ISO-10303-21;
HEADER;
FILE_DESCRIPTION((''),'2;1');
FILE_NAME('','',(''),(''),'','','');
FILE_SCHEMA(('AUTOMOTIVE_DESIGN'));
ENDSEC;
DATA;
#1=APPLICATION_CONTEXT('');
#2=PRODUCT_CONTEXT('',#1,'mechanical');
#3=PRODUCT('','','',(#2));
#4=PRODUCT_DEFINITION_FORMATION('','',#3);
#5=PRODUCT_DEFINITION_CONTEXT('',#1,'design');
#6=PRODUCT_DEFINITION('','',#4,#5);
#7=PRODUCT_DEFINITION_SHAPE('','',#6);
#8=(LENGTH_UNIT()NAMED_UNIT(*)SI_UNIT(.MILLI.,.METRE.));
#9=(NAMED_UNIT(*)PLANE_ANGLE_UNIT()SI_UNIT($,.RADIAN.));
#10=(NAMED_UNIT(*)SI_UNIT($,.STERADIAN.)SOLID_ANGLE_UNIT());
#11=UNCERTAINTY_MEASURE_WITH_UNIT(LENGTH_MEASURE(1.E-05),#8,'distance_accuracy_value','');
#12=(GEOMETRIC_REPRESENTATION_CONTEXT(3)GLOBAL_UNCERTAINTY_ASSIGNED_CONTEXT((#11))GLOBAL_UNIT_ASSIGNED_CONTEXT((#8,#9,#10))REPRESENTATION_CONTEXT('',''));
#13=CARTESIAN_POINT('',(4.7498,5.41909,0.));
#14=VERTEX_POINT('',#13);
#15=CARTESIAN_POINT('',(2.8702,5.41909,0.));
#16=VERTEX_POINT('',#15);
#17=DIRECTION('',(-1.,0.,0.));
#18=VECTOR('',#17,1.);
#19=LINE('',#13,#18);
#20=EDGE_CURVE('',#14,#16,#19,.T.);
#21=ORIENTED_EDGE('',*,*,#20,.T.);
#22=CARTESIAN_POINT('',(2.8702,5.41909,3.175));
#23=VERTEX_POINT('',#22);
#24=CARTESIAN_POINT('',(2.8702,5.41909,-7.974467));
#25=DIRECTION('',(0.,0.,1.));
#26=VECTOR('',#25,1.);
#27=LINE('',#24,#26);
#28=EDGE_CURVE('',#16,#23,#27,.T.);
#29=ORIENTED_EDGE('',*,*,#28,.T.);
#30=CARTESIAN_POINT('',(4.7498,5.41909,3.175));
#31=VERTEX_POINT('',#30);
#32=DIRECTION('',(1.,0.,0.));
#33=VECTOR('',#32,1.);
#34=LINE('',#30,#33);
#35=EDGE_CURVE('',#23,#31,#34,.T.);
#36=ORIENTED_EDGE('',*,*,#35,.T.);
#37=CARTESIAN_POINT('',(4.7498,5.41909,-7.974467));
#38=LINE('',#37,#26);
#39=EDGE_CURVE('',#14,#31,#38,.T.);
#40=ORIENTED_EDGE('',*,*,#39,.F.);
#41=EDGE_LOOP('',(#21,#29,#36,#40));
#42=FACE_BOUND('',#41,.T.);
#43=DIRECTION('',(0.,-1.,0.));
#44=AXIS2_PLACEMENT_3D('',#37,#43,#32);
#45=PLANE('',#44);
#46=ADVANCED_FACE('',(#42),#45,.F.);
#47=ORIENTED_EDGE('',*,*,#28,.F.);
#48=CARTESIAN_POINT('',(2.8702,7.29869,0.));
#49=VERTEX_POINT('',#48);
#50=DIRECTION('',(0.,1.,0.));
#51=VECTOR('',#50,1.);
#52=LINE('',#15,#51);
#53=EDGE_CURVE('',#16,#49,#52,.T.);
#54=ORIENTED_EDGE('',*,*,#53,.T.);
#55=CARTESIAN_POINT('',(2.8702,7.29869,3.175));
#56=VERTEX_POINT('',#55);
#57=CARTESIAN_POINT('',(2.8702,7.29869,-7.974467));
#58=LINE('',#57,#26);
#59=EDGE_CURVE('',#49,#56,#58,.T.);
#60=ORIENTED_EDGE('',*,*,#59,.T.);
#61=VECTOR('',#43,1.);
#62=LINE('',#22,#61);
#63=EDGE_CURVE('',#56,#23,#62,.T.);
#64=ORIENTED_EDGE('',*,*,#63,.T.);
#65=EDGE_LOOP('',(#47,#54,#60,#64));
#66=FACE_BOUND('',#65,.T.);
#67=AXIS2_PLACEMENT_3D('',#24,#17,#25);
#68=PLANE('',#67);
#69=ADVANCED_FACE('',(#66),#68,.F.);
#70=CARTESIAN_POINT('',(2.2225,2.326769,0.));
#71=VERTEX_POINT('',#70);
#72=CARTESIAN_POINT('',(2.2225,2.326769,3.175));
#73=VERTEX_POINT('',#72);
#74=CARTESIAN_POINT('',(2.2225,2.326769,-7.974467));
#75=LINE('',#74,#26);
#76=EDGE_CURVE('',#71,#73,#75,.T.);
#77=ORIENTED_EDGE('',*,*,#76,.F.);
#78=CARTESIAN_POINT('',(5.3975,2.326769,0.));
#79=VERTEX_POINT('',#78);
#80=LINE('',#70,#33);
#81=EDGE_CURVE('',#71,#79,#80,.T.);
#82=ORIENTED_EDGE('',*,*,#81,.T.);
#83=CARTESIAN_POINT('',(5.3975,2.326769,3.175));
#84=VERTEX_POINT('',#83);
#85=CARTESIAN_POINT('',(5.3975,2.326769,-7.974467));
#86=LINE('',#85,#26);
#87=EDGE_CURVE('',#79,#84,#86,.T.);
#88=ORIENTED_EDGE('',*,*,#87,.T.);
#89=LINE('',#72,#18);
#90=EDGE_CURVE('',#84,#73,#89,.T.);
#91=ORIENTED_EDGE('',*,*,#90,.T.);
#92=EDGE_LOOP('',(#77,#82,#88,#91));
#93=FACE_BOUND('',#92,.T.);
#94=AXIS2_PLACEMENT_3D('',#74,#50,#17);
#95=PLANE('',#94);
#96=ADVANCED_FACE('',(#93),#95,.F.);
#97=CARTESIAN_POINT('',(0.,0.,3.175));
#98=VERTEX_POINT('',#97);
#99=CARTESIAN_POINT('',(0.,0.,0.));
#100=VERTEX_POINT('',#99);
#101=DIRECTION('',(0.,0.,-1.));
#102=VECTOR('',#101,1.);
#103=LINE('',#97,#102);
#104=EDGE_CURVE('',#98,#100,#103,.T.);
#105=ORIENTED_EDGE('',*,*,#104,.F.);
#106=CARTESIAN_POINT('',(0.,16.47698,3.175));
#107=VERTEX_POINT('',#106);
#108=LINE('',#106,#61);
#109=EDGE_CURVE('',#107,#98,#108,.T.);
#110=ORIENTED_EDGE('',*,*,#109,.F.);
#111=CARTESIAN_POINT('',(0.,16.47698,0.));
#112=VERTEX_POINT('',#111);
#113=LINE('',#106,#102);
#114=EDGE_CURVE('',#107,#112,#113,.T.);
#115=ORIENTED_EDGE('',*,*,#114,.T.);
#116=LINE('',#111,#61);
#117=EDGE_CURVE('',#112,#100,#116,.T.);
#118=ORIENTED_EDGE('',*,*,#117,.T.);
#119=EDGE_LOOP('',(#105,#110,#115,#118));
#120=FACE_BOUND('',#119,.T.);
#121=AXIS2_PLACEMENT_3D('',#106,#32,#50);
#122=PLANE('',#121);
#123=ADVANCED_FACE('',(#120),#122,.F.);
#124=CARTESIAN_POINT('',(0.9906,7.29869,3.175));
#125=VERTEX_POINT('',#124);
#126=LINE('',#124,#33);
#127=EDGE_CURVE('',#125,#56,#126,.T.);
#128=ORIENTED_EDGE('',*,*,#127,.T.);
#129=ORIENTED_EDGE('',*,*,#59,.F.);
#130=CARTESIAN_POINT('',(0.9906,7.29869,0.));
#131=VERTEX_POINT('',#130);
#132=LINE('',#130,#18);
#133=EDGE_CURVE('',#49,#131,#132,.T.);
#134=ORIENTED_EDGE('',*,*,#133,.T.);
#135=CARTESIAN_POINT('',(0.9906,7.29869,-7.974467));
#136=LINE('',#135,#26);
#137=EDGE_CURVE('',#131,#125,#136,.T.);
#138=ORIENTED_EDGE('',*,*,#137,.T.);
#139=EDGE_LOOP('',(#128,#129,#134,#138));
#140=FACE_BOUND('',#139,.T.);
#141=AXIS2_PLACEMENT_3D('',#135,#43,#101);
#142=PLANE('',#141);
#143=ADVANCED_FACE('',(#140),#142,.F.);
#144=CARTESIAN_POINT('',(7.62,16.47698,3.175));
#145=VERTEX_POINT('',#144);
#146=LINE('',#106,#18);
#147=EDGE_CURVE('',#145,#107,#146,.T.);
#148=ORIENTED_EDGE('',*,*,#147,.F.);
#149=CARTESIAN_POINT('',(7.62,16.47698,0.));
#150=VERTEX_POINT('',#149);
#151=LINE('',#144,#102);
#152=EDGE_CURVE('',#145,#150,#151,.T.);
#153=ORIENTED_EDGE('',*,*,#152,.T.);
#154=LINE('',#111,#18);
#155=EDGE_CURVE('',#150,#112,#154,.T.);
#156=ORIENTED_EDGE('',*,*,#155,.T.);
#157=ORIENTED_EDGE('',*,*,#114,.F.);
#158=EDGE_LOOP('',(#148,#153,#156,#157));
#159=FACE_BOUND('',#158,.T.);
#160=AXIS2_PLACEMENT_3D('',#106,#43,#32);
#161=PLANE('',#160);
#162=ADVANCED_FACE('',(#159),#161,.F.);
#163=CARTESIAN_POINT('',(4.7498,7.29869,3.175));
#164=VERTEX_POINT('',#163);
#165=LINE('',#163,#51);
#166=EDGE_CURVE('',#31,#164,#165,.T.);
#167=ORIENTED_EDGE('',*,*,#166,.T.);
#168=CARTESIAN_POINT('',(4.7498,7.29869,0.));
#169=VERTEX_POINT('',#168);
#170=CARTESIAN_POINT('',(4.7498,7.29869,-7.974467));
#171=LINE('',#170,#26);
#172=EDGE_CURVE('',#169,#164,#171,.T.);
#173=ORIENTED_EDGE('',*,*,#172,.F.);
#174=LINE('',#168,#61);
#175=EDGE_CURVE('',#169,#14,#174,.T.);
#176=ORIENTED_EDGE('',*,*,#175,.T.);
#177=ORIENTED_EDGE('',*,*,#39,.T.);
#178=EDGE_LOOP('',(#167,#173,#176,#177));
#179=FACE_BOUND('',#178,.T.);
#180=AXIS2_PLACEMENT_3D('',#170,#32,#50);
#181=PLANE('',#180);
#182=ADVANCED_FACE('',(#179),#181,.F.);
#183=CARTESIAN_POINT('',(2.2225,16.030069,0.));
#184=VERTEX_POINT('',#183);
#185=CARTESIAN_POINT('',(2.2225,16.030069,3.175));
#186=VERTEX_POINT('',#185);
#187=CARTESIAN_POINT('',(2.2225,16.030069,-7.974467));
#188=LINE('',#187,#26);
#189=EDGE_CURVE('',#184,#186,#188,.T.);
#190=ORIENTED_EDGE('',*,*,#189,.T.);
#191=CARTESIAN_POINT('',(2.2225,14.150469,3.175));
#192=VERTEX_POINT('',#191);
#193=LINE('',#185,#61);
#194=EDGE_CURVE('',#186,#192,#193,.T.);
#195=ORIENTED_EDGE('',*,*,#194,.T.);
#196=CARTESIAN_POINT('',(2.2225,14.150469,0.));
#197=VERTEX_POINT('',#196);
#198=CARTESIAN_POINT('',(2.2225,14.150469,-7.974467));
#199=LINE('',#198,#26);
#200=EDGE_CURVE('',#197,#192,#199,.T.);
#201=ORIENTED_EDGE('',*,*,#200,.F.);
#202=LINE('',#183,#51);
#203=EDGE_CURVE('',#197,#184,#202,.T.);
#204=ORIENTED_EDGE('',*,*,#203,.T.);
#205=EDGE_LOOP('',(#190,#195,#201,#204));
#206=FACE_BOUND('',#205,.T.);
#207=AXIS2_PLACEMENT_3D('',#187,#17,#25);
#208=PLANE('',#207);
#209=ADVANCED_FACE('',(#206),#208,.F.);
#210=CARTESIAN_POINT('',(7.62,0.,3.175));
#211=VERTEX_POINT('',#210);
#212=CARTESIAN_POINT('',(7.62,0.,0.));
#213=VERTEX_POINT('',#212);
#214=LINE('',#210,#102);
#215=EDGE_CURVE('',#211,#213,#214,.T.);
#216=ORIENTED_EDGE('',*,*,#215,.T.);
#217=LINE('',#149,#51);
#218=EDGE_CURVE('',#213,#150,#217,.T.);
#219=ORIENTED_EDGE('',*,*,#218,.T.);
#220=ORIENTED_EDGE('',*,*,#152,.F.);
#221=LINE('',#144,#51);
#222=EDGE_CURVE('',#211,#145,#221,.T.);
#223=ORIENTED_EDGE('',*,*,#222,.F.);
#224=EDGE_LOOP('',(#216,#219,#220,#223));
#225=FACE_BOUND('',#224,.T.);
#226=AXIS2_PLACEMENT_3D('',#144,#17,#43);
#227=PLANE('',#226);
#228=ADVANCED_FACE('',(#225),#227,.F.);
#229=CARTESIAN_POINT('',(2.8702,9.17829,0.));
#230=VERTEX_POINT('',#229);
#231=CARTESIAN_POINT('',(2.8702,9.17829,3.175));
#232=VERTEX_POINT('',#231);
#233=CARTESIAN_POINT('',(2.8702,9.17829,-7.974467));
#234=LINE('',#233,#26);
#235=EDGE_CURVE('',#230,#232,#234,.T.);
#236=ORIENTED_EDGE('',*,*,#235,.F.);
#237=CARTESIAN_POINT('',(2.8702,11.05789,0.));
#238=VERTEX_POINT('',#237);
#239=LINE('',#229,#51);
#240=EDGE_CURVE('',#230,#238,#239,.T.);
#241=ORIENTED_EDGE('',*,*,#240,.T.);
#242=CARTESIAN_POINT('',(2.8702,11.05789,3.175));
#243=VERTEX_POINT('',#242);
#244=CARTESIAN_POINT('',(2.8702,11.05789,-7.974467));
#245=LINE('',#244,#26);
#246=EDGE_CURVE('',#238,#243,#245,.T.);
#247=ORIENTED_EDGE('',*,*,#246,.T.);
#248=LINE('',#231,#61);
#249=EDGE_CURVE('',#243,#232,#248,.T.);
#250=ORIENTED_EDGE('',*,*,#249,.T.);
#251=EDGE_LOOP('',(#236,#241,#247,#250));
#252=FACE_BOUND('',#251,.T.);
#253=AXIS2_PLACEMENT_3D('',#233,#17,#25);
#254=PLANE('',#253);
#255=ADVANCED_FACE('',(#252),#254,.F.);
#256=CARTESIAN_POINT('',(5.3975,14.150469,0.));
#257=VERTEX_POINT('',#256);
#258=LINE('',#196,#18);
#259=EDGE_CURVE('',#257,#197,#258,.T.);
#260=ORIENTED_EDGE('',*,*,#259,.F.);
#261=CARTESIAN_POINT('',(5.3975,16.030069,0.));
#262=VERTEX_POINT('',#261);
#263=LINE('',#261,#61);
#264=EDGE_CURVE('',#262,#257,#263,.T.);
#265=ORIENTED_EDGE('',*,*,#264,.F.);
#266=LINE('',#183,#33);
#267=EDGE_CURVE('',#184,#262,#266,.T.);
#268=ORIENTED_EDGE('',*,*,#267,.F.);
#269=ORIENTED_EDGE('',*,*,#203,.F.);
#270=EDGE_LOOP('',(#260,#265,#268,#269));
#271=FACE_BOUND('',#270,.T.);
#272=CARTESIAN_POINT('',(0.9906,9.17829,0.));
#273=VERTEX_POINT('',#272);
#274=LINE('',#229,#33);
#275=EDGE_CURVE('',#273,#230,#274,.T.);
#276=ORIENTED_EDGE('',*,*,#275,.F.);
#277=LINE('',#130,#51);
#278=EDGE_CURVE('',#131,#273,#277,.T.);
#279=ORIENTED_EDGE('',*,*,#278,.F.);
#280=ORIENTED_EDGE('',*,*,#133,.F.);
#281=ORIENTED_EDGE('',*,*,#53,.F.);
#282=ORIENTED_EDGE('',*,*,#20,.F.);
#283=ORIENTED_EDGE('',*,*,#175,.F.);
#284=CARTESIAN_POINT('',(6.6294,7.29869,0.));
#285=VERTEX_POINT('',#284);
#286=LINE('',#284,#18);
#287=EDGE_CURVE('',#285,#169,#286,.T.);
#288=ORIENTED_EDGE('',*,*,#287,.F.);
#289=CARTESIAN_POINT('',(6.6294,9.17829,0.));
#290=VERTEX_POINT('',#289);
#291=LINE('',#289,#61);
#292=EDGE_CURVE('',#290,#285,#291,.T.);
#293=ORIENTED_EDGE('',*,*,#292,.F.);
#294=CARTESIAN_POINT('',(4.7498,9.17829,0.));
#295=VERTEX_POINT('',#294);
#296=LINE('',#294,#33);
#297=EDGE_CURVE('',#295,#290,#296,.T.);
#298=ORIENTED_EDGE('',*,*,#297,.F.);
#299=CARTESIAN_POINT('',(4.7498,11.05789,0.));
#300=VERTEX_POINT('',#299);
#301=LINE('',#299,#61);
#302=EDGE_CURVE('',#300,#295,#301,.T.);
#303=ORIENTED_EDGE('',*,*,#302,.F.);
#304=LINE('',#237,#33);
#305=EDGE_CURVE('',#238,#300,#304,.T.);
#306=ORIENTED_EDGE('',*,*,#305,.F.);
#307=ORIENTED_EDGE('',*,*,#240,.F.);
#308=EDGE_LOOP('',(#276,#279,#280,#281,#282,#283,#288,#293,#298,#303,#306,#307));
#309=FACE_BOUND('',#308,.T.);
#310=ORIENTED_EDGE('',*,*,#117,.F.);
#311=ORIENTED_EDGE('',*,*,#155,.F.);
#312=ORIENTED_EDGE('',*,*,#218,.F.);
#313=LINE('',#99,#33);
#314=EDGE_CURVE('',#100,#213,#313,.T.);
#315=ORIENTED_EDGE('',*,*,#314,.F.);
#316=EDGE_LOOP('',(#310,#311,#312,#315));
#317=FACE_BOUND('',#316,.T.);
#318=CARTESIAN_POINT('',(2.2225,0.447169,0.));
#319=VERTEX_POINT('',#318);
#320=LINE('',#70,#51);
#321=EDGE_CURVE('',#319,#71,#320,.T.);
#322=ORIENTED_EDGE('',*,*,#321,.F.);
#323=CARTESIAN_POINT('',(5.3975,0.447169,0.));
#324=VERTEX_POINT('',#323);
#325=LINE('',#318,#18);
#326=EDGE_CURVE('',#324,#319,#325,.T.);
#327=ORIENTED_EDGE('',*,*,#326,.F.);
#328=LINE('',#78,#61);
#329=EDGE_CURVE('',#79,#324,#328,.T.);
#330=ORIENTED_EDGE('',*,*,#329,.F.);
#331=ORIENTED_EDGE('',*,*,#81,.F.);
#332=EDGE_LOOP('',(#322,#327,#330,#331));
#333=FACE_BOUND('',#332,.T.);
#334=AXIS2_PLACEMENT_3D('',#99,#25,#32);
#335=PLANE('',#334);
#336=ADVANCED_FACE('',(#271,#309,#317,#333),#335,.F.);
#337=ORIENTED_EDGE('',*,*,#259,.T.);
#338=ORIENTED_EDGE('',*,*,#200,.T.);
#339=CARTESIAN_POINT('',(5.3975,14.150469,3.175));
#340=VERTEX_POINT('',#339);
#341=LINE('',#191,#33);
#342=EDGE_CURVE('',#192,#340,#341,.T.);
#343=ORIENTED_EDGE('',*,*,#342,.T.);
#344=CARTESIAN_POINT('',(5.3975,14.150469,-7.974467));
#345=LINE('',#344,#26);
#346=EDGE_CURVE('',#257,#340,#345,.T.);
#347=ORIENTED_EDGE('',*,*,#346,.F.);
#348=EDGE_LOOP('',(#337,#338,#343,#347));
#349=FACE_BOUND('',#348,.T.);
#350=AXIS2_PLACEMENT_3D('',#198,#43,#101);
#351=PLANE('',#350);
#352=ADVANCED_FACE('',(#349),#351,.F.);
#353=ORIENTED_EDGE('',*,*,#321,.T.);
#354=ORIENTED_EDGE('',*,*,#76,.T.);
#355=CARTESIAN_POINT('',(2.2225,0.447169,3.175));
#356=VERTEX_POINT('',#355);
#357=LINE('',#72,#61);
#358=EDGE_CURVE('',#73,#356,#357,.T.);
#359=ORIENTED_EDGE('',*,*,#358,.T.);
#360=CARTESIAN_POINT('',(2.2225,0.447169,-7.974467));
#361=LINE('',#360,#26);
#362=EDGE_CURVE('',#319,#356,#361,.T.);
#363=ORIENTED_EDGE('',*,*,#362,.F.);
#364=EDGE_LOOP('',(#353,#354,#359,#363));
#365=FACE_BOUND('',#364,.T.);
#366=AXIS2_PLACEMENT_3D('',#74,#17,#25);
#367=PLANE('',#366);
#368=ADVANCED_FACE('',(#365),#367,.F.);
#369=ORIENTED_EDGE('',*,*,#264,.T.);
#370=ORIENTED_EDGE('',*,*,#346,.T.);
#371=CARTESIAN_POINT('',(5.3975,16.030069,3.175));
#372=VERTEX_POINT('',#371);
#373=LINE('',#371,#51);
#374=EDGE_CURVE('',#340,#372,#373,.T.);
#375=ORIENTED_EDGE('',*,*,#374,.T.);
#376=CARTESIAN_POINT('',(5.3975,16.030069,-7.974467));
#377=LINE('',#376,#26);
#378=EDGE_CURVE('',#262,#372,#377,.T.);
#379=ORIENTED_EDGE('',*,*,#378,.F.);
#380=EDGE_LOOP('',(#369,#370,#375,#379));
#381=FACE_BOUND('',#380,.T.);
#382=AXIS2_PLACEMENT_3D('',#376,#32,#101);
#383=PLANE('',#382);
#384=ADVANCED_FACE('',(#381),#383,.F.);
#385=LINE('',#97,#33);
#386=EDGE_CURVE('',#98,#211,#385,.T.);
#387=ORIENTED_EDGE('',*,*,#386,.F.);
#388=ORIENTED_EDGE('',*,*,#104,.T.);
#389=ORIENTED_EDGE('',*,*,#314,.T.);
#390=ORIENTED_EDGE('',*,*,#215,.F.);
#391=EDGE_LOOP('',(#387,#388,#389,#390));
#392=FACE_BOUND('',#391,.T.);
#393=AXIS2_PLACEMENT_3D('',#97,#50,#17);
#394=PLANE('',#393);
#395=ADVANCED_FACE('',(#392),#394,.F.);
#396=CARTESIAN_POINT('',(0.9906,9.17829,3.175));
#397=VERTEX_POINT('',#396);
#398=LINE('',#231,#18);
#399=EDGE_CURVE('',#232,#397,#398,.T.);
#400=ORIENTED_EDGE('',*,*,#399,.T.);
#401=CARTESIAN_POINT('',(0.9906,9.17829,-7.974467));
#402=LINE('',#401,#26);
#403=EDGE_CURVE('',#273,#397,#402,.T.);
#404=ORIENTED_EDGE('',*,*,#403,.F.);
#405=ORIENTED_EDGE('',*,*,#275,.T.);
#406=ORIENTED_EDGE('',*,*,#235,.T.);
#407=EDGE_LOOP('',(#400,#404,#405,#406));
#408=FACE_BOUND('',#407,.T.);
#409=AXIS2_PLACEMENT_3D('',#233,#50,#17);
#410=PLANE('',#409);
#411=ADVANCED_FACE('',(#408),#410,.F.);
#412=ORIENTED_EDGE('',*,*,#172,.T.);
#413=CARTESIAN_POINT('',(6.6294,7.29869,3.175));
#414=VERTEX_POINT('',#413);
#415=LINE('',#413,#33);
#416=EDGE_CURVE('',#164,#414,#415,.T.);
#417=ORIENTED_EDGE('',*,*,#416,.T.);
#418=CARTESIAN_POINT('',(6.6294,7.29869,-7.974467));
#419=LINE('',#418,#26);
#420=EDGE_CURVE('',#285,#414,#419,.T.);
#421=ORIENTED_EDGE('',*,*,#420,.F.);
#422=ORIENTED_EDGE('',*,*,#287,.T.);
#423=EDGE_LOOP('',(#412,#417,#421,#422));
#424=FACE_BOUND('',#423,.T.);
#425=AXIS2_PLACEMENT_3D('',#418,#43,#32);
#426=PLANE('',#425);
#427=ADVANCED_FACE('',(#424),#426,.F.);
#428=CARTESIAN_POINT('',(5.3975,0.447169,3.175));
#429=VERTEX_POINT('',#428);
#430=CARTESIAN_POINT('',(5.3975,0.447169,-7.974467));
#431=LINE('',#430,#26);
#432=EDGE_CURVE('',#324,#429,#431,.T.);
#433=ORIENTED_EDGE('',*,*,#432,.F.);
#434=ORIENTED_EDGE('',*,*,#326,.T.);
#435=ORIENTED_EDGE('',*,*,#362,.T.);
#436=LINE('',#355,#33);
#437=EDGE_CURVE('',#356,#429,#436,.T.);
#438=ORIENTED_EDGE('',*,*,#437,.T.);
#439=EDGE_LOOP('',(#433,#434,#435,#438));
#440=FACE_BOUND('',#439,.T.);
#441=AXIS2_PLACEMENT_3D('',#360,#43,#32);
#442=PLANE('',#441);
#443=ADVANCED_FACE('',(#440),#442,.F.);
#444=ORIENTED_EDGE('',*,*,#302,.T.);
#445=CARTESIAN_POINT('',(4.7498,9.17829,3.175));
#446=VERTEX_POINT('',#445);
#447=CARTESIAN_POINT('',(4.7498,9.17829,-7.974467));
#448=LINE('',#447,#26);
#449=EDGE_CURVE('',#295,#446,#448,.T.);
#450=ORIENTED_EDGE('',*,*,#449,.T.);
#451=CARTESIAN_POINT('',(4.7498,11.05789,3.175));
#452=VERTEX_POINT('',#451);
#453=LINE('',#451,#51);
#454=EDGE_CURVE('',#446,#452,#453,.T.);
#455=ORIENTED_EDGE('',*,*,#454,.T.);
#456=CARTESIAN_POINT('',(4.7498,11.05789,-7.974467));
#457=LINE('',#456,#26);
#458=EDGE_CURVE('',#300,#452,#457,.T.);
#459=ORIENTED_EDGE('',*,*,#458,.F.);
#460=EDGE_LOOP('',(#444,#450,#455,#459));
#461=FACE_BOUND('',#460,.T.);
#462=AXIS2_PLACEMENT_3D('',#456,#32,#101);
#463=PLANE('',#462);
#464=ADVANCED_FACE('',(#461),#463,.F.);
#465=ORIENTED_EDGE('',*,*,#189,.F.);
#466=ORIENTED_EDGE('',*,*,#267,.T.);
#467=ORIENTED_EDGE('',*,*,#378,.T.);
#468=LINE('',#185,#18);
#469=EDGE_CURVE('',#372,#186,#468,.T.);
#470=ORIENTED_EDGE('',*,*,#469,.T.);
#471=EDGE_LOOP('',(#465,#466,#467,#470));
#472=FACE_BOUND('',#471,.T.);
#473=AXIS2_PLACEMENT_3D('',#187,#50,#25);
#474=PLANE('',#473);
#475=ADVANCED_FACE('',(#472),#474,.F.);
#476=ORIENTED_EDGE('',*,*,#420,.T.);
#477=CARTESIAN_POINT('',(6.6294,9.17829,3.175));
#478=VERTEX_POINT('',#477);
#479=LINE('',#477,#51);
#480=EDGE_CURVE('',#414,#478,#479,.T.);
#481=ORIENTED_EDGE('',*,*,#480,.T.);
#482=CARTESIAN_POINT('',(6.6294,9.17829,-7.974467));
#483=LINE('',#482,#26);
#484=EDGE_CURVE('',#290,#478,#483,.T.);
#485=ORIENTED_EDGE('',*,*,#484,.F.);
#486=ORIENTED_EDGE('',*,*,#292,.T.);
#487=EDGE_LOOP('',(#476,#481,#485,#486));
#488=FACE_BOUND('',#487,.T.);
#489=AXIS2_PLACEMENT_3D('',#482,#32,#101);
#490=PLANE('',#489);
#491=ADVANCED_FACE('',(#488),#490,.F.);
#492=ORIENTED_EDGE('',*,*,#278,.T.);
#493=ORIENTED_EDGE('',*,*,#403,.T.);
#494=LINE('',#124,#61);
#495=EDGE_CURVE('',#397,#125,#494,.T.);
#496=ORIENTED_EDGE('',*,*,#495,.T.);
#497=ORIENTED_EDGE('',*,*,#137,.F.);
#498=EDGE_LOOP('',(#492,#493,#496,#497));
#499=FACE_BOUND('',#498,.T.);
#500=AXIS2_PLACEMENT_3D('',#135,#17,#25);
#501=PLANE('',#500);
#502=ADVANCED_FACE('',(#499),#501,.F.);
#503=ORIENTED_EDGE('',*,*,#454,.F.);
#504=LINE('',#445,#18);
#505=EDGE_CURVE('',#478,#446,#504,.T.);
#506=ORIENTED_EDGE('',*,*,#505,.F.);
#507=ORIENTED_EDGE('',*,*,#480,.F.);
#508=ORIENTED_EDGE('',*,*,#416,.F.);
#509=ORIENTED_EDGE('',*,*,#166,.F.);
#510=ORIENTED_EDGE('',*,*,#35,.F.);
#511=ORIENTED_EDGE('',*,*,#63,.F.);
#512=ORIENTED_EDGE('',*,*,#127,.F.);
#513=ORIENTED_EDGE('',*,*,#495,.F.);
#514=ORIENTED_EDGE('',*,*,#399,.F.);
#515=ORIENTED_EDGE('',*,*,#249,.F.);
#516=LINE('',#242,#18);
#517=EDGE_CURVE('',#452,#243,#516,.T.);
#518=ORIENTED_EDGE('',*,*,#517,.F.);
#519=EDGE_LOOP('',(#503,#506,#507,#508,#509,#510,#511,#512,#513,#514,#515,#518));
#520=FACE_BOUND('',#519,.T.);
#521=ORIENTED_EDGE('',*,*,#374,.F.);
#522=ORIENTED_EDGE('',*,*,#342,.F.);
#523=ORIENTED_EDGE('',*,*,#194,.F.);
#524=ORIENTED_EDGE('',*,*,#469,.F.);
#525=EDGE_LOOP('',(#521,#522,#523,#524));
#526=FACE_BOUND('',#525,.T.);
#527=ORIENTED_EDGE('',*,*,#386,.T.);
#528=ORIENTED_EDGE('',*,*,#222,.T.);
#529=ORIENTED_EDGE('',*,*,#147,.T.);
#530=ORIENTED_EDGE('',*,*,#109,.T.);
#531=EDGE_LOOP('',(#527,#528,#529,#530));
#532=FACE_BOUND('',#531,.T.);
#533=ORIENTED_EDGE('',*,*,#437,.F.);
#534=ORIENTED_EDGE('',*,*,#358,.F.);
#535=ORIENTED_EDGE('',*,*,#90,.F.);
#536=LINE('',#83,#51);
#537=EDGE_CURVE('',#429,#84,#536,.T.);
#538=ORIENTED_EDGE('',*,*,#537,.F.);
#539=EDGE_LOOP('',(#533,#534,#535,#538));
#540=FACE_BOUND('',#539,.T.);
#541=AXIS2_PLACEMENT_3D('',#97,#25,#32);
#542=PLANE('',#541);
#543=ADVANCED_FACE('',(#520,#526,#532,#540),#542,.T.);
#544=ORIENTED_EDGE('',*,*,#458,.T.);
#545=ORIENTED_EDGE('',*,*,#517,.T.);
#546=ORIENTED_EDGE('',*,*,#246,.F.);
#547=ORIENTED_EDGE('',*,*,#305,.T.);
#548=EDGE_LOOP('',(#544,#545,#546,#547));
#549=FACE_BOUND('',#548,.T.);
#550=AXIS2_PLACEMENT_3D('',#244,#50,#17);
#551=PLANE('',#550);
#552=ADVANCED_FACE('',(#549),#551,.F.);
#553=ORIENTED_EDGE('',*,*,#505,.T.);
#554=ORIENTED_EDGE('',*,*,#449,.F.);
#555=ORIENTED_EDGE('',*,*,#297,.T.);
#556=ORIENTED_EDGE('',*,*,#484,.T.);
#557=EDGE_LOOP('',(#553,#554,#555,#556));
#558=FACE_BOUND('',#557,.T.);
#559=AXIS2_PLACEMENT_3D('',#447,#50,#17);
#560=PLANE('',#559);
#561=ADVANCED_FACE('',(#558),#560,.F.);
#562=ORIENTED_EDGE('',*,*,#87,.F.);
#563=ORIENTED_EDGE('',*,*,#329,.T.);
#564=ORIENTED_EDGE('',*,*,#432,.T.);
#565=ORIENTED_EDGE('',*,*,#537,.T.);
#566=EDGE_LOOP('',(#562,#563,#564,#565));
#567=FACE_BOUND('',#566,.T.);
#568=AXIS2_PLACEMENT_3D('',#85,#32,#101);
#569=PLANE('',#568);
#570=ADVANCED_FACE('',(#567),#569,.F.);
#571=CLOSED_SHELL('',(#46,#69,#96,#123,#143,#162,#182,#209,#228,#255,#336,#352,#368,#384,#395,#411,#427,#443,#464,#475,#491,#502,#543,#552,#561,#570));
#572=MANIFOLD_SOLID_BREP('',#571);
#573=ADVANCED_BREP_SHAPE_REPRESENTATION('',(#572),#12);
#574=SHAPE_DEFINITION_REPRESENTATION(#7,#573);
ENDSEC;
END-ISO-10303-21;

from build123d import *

# Parameters (mm, degrees)
SKETCH1_W           = 7.62
SKETCH1_H           = 16.47698
BOSS_EXTRUDE1_DEPTH = 3.175
SKETCH2_W           = 3.175
SKETCH2_H           = 1.8796
CUT_EXTRUDE1_DEPTH  = 3.175


with BuildPart() as part:
    # Sketch1 → Boss-Extrude1 (new body)
    with BuildSketch(Plane.XY):
        with Locations((3.81, 8.23849)):
            Rectangle(SKETCH1_W, SKETCH1_H)
    extrude(amount=BOSS_EXTRUDE1_DEPTH)

    # Sketch2 → Cut-Extrude1 (cut)
    with BuildSketch(Plane.XY.offset(3.175)):
        Polygon((2.8702, 11.05789), (4.7498, 11.05789), (4.7498, 9.17829), (6.6294, 9.17829), (6.6294, 7.29869), (4.7498, 7.29869), (4.7498, 5.41909), (2.8702, 5.41909), (2.8702, 7.29869), (0.9906, 7.29869), (0.9906, 9.17829), (2.8702, 9.17829), align=None)
        with Locations((3.81, 15.090268823)):
            Rectangle(SKETCH2_W, SKETCH2_H)
        with Locations((3.81, 1.386968823)):
            Rectangle(SKETCH2_W, SKETCH2_H)
    extrude(amount=-CUT_EXTRUDE1_DEPTH, mode=Mode.SUBTRACT)


solid = part.part
